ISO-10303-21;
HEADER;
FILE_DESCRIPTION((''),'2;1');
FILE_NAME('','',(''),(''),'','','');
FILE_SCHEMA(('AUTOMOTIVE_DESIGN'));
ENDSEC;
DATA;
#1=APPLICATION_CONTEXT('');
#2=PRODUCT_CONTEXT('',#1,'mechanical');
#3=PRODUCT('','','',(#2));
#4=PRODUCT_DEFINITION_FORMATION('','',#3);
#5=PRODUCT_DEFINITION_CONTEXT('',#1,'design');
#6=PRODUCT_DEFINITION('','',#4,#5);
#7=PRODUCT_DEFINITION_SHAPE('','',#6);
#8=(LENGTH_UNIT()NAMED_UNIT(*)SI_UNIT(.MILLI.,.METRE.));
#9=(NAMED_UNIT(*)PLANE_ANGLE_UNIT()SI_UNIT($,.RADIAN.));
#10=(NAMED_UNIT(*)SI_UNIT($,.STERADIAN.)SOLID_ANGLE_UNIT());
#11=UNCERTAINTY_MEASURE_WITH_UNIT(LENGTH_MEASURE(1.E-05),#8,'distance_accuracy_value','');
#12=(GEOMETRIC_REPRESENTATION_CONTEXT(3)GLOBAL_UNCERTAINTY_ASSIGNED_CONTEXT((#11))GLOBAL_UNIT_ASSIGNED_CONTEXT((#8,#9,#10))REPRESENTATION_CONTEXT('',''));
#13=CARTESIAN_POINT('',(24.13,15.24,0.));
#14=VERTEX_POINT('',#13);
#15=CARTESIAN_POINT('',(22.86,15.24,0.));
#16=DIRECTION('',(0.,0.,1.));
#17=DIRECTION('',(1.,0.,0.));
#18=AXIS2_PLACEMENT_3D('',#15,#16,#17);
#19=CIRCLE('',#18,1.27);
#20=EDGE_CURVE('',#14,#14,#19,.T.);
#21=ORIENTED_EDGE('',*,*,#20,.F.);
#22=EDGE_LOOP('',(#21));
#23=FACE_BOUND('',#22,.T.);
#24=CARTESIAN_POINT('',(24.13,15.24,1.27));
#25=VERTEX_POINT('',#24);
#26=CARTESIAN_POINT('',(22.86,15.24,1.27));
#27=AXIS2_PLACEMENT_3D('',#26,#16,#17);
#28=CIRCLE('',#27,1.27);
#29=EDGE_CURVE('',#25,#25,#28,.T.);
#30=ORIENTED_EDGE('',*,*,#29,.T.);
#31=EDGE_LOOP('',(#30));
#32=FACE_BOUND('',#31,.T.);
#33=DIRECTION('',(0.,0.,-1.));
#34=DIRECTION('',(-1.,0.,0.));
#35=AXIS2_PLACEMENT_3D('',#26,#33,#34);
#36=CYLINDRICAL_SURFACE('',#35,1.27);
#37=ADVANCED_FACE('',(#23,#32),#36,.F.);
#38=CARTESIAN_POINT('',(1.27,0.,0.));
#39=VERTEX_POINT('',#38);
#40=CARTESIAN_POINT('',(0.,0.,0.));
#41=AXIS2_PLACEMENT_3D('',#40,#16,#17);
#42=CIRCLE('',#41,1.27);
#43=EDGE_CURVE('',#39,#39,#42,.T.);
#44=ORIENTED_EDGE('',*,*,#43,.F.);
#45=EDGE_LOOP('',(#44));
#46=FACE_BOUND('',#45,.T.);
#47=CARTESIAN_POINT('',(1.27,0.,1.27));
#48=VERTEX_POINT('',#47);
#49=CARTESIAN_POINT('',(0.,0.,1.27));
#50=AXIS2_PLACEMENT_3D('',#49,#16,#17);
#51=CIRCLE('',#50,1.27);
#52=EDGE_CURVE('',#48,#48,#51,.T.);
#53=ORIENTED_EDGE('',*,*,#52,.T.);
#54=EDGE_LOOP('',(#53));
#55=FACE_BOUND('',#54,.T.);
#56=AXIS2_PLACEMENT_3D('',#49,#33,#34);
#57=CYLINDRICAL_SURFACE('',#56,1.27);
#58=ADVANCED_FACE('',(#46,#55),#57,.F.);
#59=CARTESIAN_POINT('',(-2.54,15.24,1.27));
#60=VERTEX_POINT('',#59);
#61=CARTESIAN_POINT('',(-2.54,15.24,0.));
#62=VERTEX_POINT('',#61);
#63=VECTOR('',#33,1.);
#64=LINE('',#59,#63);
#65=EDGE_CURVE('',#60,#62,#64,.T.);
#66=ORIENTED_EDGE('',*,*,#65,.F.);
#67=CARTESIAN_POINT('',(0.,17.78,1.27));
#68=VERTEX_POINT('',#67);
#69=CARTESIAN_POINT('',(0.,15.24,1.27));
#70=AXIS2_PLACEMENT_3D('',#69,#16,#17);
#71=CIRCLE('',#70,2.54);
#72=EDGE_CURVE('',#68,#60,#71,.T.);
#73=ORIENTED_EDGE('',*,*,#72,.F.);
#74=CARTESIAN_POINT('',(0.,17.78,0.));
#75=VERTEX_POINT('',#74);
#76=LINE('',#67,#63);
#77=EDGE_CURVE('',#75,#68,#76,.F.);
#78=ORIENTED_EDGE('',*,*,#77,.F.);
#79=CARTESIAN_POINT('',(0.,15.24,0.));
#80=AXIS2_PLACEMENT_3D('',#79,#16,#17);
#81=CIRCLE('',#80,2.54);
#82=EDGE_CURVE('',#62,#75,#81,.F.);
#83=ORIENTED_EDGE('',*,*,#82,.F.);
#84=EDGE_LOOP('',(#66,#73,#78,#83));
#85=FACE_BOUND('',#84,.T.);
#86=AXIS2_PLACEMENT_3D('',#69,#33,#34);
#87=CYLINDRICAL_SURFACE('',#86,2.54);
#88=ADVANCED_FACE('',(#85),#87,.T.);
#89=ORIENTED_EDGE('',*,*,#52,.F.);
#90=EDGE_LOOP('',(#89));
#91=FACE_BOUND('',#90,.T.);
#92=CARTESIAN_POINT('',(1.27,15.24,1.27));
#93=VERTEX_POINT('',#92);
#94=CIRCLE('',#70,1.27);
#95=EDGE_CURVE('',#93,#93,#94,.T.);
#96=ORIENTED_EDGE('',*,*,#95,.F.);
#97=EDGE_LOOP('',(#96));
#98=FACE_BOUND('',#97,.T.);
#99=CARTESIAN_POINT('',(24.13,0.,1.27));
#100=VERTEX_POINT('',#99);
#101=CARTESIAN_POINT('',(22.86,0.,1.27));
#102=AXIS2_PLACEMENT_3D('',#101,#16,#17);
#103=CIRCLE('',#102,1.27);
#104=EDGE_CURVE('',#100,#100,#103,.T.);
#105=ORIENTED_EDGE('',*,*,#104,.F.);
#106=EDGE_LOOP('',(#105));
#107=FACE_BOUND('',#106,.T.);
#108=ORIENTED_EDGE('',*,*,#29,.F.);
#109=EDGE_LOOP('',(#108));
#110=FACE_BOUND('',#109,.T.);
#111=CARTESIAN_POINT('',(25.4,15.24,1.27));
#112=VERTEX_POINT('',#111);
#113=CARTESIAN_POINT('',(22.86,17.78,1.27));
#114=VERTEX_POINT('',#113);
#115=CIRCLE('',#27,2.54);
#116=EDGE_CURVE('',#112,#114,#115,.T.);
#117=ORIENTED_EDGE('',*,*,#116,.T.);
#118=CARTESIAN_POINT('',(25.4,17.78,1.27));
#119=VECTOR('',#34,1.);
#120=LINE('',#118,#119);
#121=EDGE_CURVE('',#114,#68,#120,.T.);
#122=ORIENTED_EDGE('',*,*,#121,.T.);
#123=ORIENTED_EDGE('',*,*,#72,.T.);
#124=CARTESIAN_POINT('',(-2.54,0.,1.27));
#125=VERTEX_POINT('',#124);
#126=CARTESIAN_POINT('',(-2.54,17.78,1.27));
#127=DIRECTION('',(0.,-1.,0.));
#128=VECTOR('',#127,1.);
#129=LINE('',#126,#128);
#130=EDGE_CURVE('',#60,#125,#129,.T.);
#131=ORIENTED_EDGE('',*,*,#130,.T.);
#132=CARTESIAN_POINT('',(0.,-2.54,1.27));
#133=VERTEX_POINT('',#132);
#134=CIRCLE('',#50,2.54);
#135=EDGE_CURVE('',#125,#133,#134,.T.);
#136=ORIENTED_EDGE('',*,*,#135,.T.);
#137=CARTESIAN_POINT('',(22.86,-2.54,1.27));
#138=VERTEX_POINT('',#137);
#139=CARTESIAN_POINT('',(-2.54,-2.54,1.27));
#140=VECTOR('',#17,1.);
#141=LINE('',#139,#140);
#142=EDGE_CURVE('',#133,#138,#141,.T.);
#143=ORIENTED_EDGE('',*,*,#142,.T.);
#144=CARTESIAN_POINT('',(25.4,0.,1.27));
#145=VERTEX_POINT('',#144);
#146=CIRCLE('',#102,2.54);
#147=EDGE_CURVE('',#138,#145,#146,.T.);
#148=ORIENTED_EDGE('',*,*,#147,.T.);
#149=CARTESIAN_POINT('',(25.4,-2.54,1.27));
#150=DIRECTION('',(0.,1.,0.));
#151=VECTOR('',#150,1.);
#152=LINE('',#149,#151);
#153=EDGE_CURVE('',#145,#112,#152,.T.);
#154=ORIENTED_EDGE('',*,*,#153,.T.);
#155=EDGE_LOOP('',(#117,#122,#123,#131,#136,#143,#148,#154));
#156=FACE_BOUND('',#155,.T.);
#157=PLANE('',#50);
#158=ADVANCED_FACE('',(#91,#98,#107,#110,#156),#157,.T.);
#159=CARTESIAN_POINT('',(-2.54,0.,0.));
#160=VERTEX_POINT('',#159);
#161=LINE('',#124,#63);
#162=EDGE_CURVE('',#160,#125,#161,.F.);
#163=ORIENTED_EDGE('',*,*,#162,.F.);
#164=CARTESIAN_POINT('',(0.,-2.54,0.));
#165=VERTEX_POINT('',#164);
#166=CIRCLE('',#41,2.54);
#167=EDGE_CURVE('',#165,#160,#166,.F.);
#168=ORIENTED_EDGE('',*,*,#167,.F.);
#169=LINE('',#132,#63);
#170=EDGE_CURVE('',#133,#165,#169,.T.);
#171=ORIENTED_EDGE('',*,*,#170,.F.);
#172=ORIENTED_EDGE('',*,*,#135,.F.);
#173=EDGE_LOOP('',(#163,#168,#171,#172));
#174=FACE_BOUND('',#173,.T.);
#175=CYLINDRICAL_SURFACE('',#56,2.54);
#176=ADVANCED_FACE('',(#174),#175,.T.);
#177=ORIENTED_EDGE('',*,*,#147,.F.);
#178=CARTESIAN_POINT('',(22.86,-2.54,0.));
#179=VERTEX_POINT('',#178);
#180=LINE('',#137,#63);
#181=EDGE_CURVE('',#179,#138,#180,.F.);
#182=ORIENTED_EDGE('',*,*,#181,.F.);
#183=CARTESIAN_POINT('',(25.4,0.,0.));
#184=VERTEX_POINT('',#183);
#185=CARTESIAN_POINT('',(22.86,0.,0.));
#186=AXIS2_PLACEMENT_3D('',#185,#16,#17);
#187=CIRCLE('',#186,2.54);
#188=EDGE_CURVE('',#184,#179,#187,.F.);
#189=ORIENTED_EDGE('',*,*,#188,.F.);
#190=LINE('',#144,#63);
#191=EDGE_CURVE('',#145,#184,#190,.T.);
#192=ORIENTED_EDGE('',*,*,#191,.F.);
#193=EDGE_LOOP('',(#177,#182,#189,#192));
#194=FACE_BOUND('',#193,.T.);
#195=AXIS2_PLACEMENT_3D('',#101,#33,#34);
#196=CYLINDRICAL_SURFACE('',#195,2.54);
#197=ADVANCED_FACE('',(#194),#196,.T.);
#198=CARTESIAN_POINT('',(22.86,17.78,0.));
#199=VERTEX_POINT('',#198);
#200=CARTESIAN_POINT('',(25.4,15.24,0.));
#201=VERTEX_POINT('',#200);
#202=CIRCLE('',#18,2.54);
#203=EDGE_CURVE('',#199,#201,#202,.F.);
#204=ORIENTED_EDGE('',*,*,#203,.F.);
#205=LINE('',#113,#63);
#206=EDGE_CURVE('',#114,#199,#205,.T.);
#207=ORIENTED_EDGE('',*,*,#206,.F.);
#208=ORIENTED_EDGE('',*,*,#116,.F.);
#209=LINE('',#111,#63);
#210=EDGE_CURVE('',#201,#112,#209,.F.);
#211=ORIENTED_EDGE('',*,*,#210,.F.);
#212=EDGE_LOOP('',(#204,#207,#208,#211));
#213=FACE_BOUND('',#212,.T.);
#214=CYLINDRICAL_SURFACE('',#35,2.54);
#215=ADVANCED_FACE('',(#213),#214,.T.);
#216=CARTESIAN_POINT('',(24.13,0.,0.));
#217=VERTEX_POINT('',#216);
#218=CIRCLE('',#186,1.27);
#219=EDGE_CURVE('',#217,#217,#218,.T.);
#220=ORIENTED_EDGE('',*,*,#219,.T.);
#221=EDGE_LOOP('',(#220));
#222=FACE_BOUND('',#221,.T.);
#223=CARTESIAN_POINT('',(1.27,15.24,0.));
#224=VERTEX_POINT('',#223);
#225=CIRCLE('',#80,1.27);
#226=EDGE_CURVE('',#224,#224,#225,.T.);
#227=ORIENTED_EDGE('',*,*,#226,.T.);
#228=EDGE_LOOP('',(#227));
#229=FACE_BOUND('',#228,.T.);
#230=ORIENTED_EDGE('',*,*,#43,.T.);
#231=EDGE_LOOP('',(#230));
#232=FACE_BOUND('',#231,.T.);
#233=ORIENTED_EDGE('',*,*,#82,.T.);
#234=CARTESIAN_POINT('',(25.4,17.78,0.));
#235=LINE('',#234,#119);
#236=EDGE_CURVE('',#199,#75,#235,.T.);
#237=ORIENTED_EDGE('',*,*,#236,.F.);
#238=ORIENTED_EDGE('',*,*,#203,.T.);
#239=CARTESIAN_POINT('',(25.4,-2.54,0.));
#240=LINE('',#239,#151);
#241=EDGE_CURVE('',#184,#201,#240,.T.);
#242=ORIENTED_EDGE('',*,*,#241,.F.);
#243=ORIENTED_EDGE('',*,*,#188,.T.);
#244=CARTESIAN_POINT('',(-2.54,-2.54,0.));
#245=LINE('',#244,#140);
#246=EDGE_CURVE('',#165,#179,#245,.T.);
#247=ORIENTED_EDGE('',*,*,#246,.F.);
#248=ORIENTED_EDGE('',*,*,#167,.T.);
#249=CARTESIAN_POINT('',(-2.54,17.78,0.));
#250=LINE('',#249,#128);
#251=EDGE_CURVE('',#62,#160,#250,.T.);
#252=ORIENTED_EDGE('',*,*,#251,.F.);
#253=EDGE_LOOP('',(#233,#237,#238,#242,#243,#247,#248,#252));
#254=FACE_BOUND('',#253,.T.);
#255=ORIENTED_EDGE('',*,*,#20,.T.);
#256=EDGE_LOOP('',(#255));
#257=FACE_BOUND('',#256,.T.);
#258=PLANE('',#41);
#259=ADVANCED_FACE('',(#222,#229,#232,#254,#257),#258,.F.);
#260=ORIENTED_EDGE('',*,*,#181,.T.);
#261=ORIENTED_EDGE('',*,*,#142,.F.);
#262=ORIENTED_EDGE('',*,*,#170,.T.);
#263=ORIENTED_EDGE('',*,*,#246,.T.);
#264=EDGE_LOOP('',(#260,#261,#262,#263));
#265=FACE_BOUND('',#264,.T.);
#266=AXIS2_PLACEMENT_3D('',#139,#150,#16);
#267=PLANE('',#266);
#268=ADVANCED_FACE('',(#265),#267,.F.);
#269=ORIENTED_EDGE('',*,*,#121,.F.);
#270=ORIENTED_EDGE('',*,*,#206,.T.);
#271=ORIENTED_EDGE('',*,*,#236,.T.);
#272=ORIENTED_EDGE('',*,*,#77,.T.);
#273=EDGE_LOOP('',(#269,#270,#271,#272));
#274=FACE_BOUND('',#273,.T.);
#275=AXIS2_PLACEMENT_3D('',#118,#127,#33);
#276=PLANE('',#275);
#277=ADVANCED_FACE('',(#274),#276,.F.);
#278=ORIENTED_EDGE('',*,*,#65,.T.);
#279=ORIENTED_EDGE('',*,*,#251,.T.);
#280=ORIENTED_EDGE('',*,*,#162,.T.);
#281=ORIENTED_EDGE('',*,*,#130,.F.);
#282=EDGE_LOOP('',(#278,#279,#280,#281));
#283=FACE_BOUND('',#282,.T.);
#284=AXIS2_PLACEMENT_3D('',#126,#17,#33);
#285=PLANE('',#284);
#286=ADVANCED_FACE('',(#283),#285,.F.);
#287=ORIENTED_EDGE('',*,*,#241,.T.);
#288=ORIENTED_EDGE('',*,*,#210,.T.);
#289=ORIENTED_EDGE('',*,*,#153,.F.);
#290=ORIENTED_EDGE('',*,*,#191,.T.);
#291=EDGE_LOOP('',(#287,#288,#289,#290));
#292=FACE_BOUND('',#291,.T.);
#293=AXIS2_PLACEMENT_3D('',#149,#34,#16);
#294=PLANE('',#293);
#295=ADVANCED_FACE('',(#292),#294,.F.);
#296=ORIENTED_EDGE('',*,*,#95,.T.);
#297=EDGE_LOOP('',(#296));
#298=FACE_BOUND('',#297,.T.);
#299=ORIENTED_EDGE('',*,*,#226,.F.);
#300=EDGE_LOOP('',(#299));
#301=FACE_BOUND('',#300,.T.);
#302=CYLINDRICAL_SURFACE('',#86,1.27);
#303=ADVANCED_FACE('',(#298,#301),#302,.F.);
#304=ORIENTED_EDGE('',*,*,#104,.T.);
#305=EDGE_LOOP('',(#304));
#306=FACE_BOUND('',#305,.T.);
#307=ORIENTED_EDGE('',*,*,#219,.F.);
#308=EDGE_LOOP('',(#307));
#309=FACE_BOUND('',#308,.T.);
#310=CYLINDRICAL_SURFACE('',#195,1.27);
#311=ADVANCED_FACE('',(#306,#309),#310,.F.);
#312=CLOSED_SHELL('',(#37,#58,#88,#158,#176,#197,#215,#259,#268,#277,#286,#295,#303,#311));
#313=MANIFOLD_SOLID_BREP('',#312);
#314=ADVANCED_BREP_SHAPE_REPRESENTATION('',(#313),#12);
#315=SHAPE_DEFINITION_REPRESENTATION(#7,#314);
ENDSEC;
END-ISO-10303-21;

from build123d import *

# Parameters (mm, degrees)
SKETCH1_W           = 27.94
SKETCH1_H           = 20.32
SKETCH1_R           = 1.27
BOSS_EXTRUDE1_DEPTH = 1.27
FILLET1_R           = 2.54


with BuildPart() as part:
    # Sketch1 → Boss-Extrude1 (new body)
    with BuildSketch(Plane.XY):
        with Locations((11.43, 7.62)):
            Rectangle(SKETCH1_W, SKETCH1_H)
        with Locations((0, 15.24)):
            Circle(SKETCH1_R, mode=Mode.SUBTRACT)
        Circle(SKETCH1_R, mode=Mode.SUBTRACT)
        with Locations((22.86, 15.24)):
            Circle(SKETCH1_R, mode=Mode.SUBTRACT)
        with Locations((22.86, 0)):
            Circle(SKETCH1_R, mode=Mode.SUBTRACT)
    extrude(amount=BOSS_EXTRUDE1_DEPTH)

    # Fillet1
    fillet1_edges = [part.edges().sort_by_distance(p)[0] for p in [
        (25.4, 17.78, 0.635),
        (25.4, -2.54, 0.635),
        (-2.54, -2.54, 0.635),
        (-2.54, 17.78, 0.635),
    ]]
    fillet(fillet1_edges, radius=FILLET1_R)


solid = part.part
